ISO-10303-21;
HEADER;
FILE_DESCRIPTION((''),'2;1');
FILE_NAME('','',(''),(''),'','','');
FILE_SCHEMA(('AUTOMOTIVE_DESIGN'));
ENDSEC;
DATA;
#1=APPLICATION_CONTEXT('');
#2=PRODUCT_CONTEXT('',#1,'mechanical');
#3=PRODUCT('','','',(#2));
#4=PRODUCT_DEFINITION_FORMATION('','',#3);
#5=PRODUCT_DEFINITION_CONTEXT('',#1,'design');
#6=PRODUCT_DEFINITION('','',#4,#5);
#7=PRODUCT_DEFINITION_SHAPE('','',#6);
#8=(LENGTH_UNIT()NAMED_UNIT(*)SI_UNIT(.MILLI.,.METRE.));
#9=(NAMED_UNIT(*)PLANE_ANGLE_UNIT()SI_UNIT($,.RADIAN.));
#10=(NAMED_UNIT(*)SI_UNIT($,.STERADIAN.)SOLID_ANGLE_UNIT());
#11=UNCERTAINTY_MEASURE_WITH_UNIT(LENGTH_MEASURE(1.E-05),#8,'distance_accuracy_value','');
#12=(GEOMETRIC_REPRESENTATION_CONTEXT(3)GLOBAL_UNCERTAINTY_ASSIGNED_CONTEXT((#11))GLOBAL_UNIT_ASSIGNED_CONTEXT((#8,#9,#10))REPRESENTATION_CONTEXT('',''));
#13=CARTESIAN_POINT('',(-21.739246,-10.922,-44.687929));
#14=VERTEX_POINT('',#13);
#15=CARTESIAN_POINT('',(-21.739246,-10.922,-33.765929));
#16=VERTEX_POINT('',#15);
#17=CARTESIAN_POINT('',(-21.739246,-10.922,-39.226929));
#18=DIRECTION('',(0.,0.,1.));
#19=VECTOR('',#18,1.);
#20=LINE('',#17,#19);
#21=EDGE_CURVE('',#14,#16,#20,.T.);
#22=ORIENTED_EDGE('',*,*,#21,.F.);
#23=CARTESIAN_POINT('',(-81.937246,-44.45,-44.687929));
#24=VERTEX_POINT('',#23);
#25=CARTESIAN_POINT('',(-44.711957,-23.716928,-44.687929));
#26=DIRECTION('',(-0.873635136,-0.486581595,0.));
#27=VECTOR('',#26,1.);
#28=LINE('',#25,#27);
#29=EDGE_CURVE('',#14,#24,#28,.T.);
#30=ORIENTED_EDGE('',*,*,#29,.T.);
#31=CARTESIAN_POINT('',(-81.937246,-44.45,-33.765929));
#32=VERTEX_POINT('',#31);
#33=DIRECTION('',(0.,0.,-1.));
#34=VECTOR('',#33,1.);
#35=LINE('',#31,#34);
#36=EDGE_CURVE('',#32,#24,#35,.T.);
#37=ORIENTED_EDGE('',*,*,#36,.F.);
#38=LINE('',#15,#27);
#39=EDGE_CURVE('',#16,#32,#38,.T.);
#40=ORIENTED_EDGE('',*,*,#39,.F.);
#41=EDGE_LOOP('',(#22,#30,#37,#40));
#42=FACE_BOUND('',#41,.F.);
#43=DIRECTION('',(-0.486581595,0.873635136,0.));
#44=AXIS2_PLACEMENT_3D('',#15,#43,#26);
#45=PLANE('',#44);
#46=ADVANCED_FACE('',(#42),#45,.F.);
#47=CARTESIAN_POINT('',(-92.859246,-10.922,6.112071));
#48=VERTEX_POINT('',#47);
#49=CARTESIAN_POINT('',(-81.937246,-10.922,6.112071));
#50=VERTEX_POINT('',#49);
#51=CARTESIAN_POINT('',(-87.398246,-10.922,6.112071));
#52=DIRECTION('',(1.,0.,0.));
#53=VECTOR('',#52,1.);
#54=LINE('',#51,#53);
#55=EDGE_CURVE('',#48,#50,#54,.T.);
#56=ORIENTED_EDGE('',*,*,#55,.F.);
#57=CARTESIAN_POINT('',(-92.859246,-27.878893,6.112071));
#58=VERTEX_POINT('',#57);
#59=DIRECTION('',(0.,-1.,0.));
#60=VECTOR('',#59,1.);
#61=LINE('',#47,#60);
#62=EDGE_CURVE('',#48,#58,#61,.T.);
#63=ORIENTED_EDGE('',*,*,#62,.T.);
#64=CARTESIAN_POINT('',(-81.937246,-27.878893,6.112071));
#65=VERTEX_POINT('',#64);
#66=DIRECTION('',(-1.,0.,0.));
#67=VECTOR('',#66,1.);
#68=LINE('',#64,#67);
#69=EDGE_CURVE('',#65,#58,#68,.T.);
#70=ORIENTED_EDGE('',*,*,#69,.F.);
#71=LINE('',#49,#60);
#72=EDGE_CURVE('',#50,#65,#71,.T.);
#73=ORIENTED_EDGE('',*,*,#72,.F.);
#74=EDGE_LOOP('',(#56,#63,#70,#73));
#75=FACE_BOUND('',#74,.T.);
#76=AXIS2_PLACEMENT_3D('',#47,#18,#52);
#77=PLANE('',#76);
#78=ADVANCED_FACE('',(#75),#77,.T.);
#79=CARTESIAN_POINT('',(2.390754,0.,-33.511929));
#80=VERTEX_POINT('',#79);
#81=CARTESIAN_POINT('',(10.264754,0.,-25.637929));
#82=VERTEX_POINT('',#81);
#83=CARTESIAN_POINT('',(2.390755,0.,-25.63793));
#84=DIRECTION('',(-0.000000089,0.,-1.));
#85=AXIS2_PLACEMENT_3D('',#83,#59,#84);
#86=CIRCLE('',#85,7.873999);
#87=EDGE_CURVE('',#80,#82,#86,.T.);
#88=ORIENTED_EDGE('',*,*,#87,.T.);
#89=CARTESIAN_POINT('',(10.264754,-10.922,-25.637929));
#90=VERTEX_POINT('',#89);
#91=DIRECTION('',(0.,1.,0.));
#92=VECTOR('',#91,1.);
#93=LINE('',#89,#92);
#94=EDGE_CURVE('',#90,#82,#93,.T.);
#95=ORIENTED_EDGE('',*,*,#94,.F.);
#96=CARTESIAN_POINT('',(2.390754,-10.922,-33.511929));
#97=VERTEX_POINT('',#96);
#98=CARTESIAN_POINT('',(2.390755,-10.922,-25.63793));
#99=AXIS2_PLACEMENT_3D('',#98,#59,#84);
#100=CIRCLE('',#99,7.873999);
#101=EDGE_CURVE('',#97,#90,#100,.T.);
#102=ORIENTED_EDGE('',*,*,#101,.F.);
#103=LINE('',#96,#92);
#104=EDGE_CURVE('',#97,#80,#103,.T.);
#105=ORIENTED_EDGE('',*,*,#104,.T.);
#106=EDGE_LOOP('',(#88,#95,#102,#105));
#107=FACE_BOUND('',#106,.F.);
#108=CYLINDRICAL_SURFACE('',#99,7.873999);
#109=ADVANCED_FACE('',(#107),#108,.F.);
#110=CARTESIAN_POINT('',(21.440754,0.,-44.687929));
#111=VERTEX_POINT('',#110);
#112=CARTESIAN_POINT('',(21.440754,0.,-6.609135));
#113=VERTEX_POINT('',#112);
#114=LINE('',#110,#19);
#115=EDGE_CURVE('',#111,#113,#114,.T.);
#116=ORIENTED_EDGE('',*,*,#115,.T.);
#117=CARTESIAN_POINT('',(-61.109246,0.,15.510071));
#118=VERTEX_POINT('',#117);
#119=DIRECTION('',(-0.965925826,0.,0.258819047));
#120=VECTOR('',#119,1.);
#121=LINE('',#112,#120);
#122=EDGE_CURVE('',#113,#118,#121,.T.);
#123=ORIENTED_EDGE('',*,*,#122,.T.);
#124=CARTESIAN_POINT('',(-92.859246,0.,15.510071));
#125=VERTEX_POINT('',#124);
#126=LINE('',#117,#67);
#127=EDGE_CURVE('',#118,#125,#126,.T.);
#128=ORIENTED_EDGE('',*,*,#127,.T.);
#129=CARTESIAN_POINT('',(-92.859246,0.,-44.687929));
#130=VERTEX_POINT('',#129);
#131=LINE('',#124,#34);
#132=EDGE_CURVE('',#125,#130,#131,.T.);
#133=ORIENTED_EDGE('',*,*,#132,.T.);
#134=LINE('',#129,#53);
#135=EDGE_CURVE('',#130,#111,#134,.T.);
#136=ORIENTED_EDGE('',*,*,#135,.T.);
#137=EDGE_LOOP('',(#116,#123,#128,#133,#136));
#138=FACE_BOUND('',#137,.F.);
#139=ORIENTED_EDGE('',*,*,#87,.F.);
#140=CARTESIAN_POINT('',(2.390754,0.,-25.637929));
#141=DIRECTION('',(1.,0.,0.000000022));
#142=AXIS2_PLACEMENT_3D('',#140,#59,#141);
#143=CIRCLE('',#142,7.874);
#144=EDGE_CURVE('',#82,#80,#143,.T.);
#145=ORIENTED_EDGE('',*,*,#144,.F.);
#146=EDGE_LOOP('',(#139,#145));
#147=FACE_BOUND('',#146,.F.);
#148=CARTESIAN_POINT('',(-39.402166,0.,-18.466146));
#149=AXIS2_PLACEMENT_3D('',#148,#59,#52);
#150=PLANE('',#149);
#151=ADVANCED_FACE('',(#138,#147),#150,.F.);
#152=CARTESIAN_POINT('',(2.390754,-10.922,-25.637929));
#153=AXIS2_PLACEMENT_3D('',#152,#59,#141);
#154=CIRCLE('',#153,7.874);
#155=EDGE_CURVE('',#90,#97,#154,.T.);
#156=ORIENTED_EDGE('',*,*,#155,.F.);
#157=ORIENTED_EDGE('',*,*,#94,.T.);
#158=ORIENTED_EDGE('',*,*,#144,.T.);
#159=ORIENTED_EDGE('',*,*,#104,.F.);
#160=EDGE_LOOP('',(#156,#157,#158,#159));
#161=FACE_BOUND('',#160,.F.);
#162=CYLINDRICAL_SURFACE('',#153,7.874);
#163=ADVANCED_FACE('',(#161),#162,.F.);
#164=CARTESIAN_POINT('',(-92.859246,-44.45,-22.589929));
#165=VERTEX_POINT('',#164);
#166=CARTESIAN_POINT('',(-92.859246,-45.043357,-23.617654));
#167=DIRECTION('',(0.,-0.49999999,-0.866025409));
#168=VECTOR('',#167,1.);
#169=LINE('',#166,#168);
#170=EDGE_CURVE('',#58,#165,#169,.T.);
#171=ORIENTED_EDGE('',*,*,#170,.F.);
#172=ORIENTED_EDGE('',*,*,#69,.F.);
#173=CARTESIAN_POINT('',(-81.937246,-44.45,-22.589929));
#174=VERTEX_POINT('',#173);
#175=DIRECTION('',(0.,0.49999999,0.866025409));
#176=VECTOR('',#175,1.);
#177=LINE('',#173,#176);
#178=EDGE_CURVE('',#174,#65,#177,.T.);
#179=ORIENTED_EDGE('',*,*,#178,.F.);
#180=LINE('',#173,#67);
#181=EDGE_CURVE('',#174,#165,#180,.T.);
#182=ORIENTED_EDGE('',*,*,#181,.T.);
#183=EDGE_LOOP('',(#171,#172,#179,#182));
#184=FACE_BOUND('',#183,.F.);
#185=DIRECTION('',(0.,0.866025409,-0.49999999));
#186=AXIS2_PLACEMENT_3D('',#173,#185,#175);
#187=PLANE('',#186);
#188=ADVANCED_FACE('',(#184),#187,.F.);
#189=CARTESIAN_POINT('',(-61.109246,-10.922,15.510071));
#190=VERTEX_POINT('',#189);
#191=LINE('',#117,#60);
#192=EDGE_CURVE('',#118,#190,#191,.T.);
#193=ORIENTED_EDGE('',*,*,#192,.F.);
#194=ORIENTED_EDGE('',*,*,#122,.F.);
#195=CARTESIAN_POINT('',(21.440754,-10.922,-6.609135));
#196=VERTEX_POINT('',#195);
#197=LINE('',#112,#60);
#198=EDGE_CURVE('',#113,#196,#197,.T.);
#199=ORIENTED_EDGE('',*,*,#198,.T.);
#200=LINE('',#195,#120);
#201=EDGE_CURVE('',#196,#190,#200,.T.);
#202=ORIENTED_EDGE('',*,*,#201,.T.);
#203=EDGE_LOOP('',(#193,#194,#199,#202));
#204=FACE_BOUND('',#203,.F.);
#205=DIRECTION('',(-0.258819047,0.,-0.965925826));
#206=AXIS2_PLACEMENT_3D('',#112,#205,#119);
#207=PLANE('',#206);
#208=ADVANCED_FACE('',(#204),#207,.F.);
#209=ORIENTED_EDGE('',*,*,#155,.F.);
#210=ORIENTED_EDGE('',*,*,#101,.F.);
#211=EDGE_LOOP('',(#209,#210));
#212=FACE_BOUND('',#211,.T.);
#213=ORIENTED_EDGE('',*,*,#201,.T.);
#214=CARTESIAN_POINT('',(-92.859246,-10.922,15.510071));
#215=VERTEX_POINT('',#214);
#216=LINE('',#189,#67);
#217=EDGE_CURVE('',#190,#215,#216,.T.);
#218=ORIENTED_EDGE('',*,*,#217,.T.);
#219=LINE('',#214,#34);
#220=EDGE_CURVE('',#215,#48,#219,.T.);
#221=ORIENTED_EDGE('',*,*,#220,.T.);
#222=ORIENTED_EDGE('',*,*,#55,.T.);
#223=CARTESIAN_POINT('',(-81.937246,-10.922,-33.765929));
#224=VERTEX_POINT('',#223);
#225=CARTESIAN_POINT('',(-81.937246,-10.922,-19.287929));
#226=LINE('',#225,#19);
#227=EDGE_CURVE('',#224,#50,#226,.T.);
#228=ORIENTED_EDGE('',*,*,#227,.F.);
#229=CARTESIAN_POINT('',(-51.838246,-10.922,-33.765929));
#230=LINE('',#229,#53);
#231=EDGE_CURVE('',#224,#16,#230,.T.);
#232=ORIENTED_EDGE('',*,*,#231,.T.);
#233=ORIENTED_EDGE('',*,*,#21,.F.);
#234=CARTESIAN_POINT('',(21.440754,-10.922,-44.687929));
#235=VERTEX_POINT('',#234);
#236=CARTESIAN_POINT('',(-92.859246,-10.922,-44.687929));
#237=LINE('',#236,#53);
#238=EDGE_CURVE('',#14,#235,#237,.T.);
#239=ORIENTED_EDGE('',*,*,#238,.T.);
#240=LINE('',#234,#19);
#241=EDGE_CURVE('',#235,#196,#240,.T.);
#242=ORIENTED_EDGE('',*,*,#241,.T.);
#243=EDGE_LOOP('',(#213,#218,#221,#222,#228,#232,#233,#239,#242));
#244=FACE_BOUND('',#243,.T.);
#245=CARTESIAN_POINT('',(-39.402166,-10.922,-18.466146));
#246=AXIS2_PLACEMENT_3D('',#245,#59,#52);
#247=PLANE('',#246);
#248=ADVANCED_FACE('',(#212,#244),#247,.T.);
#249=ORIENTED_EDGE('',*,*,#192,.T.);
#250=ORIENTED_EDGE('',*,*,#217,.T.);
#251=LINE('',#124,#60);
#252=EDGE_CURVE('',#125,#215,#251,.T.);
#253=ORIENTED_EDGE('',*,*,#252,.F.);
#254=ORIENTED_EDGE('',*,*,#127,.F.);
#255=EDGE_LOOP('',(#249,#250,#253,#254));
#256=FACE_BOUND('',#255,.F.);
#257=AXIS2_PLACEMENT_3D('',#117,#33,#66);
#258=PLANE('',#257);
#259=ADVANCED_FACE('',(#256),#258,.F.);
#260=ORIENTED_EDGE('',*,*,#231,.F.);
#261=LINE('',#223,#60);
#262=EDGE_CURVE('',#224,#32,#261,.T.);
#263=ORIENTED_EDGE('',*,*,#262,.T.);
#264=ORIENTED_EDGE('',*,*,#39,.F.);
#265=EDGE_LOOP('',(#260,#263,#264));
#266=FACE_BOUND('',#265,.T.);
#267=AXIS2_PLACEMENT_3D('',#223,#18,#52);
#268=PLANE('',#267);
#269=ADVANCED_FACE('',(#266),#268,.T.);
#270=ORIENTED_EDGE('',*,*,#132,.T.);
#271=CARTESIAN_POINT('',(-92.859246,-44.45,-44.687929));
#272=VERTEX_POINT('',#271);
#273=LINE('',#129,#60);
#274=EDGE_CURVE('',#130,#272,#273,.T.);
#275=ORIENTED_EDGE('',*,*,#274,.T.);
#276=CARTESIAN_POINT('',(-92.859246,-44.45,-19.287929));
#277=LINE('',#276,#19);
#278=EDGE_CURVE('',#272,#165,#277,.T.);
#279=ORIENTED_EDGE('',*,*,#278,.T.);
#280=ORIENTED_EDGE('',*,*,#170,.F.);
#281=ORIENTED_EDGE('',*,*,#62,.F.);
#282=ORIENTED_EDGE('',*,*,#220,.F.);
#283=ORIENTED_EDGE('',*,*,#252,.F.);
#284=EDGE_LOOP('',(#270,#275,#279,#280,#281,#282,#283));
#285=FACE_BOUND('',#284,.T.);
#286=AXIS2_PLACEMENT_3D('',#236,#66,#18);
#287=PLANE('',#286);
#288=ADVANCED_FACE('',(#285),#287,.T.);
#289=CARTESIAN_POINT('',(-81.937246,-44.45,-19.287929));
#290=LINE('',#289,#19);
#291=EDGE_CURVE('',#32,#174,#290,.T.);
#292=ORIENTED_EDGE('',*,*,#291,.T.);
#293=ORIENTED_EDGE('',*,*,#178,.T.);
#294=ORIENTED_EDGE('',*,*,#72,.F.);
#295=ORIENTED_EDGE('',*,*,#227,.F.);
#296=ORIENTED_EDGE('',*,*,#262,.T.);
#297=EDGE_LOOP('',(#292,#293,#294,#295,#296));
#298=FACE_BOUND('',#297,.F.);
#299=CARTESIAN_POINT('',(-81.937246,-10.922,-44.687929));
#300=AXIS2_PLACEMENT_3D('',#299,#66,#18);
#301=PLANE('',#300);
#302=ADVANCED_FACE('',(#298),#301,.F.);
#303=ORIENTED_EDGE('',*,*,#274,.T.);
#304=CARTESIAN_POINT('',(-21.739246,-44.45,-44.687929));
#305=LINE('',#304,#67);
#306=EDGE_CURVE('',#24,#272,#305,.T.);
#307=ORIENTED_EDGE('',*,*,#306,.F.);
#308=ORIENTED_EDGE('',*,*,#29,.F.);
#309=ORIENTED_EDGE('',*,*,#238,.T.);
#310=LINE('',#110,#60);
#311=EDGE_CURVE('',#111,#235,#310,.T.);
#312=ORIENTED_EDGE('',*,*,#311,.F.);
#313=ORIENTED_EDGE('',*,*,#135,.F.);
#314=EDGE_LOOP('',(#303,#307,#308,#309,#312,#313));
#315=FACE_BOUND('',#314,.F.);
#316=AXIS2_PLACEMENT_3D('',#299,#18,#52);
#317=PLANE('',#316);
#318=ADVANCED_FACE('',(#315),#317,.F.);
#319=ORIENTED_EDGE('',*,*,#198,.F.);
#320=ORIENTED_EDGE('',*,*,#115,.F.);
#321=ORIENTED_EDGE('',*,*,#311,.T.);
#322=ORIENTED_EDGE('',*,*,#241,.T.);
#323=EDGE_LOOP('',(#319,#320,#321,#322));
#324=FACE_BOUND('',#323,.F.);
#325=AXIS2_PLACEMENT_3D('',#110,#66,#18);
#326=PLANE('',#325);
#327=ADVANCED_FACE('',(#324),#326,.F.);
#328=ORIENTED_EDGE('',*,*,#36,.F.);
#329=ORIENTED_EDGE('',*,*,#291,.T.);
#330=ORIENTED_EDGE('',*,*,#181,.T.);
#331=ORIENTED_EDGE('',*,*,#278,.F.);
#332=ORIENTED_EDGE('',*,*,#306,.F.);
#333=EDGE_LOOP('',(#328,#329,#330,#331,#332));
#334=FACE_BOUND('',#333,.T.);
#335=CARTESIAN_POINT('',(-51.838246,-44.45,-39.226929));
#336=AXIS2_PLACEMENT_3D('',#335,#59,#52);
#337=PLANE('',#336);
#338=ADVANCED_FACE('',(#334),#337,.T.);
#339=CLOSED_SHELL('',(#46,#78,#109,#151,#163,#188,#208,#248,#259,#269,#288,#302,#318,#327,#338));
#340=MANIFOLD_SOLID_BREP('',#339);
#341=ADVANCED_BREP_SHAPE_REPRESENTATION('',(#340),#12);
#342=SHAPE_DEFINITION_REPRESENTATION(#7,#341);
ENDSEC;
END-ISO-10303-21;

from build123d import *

# Parameters (mm, degrees)
F1_DEPTH  = 10.922
F2_W      = 10.922
F2_H      = 50.8
F3_DEPTH  = 33.528
F4_W      = 60.198
F4_H      = 10.922
F5_DEPTH  = 33.528
F7_DEPTH  = 25.4
F9_DEPTH  = 10.923
F11_DEPTH = 10.923


with BuildPart() as f1:
    # F0 (on Front) → F1 (new body)
    with BuildSketch(Plane.XZ):
        Polygon((-61.109246, 15.510071), (-92.859246, 15.510071), (-92.859246, -44.687929), (21.440754, -44.687929), (21.440754, -6.609135), align=None)
    extrude(amount=F1_DEPTH)

    # F2 (on face) → F3 (join)
    with BuildSketch(Plane.XZ.offset(10.922)):
        with Locations((-87.398246, -19.287929)):
            Rectangle(F2_W, F2_H)
    extrude(amount=F3_DEPTH)

    # F4 (on face) → F5 (join)
    with BuildSketch(Plane.XZ.offset(10.922)):
        with Locations((-51.838246, -39.226929)):
            Rectangle(F4_W, F4_H)
    extrude(amount=F5_DEPTH)

    # F6 (on face) → F7 (cut)
    with BuildSketch(Plane.XY.offset(-33.765929)):
        Polygon((-21.739246, -10.922), (-81.937246, -44.45), (-21.739246, -44.45), align=None)
    extrude(amount=-F7_DEPTH, mode=Mode.SUBTRACT)

    # F8 (on face) → F9 (cut, through all)
    with BuildSketch(Plane.XZ.offset(10.922)):
        with BuildLine():
            ThreePointArc((10.264754, -25.637929), (-3.177005, -20.070171), (2.390754, -33.511929))
            Line((2.390754, -33.511929), (2.390754, -25.637929))
            Line((2.390754, -25.637929), (10.264754, -25.637929))
        make_face()
        with BuildLine():
            Line((2.390754, -25.637929), (2.390754, -33.511929))
            ThreePointArc((2.390754, -33.511929), (7.958513, -31.205688), (10.264754, -25.637929))
            Line((10.264754, -25.637929), (2.390754, -25.637929))
        make_face()
    extrude(amount=-F9_DEPTH, mode=Mode.SUBTRACT)

    # F10 (on face) → F11 (cut, through all)
    with BuildSketch(Plane.YZ.offset(-81.937246)):
        Polygon((-44.45, 6.112071), (-44.45, -22.589929), (-27.878893, 6.112071), align=None)
    extrude(amount=-F11_DEPTH, mode=Mode.SUBTRACT)


solid = f1.part
